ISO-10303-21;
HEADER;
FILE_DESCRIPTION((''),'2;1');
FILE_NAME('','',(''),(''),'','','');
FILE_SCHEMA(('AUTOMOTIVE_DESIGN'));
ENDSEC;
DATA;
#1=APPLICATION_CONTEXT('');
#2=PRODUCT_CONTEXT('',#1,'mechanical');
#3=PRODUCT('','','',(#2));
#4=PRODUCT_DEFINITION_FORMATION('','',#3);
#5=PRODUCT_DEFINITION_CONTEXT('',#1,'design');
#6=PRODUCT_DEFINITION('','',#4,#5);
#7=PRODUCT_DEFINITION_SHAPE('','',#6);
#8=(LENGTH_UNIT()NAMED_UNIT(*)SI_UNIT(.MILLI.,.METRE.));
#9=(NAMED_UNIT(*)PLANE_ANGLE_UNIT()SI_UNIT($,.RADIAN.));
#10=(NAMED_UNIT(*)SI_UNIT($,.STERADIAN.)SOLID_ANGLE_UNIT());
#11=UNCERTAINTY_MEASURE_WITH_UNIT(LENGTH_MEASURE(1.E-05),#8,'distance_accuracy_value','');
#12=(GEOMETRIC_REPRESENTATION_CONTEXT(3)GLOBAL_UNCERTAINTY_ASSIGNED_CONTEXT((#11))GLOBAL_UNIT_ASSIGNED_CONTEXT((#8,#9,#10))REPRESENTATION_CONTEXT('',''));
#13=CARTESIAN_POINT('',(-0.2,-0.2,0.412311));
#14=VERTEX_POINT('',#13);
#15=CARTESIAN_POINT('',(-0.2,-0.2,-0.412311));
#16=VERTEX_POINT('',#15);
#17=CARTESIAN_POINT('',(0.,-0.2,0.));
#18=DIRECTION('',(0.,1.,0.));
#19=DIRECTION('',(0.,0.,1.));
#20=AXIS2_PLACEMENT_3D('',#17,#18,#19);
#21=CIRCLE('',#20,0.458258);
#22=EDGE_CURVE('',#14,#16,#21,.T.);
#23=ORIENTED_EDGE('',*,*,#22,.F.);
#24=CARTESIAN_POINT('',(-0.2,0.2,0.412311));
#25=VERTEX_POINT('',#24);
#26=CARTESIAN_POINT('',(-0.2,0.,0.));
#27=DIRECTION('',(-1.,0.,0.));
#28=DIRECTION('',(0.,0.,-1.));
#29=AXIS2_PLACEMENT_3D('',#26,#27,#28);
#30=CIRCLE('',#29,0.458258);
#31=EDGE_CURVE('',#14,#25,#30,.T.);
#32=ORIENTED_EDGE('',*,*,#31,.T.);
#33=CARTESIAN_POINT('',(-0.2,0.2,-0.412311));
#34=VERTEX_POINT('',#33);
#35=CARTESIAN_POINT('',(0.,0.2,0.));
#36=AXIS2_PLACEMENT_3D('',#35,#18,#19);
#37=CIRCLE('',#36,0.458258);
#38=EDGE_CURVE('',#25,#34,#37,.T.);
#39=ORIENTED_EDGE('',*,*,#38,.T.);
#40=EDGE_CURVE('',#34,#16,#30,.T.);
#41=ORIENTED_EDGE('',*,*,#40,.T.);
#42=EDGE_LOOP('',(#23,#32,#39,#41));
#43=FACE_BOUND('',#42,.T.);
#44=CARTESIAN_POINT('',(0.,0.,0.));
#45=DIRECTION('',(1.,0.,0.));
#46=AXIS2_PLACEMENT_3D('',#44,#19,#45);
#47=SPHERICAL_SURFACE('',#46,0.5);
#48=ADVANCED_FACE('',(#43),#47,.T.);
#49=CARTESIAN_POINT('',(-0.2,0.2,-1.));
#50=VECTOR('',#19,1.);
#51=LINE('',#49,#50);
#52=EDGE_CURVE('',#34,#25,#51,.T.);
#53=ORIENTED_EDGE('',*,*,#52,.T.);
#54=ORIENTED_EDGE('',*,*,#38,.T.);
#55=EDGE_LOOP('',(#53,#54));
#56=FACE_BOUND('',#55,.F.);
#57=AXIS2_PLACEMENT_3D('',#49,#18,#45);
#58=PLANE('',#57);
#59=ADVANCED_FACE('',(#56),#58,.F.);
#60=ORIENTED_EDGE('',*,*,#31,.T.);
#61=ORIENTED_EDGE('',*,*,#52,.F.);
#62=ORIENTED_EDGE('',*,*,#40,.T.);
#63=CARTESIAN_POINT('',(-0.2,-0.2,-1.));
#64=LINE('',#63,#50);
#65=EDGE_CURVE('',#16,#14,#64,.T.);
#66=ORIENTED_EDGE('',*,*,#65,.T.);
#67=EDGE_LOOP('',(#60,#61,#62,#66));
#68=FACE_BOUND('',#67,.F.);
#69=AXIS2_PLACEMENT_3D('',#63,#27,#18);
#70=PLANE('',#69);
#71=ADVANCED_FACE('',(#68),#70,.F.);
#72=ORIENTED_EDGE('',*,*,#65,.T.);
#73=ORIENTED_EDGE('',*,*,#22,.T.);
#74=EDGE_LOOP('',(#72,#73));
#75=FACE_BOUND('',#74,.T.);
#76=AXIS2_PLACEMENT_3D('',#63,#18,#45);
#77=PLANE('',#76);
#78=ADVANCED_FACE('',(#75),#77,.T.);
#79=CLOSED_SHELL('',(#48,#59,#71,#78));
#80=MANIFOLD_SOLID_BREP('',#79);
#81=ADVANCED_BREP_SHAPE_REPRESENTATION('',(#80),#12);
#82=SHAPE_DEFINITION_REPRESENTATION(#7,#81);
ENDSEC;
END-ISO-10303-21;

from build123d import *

# Parameters (mm, degrees)
BOX_W     = 5
BOX_H     = 0.4
BOX_DEPTH = 5


with BuildPart() as box:
    # Box → Box (new body)
    with BuildSketch(Plane(origin=(-0.2, -0.2, -1), x_dir=(1, 0, 0), z_dir=(0, 0, 1))):
        with Locations((2.5, 0.2)):
            Rectangle(BOX_W, BOX_H)
    extrude(amount=BOX_DEPTH)


with BuildPart() as cut:
    # Sphere → Sphere (revolve)
    with BuildSketch(Plane.XZ):
        with BuildLine():
            ThreePointArc((0, -0.5), (0.5, 0), (0, 0.5))
            Line((0, 0.5), (0, -0.5))
        make_face()
    revolve(axis=Axis((0, 0, 0), (0, 0, 1)))

    # Cut: cut Box
    add(box.part, mode=Mode.SUBTRACT)


solid = cut.part
